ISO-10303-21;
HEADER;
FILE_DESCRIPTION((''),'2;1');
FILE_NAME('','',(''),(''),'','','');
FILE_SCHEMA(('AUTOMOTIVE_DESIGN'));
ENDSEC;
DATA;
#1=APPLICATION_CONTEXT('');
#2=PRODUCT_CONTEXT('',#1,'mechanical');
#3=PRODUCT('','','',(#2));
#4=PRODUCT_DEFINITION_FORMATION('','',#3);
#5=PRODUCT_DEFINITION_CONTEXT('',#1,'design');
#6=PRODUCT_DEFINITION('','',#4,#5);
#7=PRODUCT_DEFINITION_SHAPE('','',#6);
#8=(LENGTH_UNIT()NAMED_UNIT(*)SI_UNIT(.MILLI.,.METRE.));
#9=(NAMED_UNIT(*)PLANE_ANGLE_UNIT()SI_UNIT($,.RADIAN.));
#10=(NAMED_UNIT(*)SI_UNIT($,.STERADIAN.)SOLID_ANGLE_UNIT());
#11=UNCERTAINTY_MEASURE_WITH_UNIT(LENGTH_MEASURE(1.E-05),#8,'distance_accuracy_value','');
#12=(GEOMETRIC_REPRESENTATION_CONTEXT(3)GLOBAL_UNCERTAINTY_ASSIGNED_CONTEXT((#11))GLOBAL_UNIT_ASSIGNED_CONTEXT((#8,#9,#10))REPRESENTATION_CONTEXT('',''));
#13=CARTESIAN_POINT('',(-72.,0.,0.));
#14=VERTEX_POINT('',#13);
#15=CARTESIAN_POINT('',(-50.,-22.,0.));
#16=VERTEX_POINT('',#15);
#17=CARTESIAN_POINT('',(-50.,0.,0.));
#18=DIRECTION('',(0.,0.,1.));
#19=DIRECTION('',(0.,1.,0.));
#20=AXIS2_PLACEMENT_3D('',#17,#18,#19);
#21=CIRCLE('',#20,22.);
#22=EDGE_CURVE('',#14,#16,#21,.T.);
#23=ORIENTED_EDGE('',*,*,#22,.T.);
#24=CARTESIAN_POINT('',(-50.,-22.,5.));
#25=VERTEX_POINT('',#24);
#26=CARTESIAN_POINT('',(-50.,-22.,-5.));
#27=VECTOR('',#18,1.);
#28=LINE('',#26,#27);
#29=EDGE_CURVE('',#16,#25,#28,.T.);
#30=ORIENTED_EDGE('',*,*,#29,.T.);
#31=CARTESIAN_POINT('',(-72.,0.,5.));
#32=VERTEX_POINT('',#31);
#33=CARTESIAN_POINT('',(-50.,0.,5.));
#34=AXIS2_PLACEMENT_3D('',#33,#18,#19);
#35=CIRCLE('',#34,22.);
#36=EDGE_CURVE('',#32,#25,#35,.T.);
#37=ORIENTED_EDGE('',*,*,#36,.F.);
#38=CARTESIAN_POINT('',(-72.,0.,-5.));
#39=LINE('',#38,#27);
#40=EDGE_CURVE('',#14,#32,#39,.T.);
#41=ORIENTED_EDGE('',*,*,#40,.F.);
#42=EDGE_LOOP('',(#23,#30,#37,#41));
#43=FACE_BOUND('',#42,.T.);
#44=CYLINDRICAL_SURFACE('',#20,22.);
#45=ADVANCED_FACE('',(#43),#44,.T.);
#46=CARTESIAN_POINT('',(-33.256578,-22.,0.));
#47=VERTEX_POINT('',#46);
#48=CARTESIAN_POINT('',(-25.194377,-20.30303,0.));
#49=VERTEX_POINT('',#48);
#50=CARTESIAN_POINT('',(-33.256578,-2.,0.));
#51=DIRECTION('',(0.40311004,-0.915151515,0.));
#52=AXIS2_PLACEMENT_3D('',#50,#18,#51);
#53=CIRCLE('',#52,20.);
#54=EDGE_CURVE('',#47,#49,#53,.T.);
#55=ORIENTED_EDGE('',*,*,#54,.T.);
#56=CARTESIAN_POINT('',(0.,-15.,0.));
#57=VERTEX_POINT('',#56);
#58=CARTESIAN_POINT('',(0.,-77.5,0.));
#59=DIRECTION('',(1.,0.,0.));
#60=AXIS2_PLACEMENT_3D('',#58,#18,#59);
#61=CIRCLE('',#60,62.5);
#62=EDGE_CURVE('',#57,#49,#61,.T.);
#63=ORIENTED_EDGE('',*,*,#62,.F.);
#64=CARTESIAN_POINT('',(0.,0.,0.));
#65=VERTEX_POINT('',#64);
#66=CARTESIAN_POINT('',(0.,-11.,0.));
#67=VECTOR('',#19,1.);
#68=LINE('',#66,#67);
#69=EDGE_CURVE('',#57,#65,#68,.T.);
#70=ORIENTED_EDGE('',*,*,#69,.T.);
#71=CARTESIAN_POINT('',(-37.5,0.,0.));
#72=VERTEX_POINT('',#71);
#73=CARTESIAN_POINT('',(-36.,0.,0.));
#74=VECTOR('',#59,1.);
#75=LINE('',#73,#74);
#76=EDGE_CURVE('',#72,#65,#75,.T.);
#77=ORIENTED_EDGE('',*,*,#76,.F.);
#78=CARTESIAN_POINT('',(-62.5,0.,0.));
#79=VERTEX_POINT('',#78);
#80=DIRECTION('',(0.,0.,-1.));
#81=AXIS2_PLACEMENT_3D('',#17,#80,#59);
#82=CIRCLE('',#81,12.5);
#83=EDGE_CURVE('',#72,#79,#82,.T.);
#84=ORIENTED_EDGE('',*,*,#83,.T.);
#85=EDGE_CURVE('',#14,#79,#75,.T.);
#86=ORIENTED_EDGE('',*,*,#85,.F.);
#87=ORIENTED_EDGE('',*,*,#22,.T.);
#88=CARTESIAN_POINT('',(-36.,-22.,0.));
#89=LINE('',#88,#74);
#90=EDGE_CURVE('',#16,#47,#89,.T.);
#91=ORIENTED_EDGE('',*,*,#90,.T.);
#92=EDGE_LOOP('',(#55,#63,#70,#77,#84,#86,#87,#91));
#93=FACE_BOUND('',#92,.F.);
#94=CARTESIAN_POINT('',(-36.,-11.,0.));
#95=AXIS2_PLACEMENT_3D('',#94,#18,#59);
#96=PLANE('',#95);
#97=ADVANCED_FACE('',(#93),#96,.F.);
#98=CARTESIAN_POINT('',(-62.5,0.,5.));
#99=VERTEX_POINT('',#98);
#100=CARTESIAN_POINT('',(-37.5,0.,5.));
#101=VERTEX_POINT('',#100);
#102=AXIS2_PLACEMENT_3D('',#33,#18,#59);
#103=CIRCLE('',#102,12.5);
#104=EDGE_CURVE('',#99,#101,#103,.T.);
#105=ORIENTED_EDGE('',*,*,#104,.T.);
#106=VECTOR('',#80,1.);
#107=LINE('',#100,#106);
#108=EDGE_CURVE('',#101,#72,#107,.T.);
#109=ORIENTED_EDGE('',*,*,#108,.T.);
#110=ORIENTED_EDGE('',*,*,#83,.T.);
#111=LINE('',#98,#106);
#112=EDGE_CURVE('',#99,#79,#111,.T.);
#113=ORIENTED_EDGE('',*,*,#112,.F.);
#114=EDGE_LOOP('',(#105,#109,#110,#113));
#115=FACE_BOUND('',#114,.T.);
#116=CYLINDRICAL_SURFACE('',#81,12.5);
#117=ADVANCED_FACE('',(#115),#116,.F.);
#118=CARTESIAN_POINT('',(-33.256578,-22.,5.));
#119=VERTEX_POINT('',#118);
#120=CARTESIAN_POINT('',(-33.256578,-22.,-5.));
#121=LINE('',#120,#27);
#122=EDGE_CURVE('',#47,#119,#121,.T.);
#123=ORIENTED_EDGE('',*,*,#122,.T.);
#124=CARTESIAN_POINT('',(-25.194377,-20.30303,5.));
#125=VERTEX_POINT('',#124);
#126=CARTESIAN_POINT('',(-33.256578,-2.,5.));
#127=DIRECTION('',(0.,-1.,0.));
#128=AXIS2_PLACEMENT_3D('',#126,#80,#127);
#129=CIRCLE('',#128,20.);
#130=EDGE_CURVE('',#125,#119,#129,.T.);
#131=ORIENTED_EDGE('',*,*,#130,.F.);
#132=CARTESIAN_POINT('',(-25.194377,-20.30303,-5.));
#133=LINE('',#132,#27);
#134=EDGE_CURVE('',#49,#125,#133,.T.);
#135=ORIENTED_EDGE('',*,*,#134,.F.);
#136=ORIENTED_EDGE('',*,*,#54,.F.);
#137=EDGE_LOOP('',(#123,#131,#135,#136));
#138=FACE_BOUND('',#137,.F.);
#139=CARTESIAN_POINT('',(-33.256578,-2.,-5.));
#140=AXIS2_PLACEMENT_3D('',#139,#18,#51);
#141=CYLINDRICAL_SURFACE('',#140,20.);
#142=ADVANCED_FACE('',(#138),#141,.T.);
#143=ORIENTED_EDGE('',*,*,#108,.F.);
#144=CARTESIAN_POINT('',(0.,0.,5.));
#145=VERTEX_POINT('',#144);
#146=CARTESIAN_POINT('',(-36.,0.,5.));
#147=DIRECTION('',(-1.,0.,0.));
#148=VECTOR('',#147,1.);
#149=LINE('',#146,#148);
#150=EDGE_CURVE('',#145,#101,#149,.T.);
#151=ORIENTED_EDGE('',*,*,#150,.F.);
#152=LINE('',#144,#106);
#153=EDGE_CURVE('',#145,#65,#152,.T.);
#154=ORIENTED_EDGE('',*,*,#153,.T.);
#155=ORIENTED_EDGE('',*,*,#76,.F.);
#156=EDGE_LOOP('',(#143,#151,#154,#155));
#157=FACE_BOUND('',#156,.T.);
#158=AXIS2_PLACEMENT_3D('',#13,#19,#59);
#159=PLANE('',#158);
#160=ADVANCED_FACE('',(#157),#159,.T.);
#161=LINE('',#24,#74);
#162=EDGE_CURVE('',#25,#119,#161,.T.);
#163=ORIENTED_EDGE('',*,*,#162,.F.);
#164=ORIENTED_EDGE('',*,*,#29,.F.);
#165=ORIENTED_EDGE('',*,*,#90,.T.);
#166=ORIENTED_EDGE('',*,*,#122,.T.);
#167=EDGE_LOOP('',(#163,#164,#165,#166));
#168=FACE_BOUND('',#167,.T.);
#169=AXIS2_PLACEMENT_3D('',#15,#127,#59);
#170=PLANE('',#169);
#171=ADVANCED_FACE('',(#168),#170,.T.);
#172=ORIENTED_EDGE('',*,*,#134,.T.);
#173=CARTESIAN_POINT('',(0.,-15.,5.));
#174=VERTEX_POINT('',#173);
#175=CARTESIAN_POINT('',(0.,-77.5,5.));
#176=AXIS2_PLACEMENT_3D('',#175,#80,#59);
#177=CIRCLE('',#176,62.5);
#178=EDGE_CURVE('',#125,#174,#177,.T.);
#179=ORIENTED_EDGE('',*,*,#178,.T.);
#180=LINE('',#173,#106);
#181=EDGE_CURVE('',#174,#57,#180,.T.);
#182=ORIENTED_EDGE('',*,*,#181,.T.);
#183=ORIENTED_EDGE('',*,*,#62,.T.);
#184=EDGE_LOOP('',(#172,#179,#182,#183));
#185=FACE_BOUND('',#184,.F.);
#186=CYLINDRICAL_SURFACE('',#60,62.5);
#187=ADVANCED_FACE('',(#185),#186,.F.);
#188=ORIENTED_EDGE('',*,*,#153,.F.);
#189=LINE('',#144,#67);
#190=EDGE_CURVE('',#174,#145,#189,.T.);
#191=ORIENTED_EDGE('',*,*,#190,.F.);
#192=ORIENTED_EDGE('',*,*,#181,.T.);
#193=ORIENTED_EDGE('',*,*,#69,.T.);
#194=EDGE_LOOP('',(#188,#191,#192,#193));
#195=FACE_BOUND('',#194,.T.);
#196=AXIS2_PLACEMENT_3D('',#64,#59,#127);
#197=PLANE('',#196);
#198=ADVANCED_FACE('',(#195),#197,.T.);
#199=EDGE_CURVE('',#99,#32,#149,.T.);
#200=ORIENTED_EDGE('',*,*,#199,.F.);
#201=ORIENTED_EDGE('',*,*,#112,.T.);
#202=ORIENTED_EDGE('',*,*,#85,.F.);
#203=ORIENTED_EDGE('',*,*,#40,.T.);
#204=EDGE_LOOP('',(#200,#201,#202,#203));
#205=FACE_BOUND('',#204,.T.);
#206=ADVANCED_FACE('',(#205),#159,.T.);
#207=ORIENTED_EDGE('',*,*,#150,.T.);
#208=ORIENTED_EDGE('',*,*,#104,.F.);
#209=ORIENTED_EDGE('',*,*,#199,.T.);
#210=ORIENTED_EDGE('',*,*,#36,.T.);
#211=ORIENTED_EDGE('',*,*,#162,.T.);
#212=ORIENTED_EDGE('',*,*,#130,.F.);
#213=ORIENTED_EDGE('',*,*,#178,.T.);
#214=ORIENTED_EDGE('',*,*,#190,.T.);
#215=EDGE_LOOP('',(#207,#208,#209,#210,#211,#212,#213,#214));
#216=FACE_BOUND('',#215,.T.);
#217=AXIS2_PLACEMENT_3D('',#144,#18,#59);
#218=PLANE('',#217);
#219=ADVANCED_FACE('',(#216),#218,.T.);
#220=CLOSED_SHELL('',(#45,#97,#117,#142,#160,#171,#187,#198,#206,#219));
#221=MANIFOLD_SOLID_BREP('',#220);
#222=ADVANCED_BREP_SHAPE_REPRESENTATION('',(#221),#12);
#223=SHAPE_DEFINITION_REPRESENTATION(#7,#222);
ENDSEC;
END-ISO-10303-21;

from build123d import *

# Parameters (mm, degrees)
SKETCH_R             = 12.5
PAD_DEPTH            = 5
SKETCH001_R          = 62.5
POCKET_DEPTH         = 5.001
POCKET_DEPTH_BACK    = -5.001
FILLET_R             = 20
POCKET001_DEPTH      = 5.001
POCKET001_DEPTH_BACK = -5.001
SKETCH003_W          = 72
SKETCH003_H          = 22
POCKET002_DEPTH      = 5.001


with BuildPart() as part:
    # Sketch → Pad (new body, symmetric)
    with BuildSketch(Plane.XY):
        with BuildLine():
            ThreePointArc((-50, 22), (-72, 0), (-50, -22))
            Line((-50, -22), (50, -22))
            ThreePointArc((50, -22), (72, 0), (50, 22))
            Line((50, 22), (-50, 22))
        make_face()
        with Locations((-50, 0)):
            Circle(SKETCH_R, mode=Mode.SUBTRACT)
        with Locations((50, 0)):
            Circle(SKETCH_R, mode=Mode.SUBTRACT)
    extrude(amount=PAD_DEPTH, both=True)

    # Sketch001 → Pocket (cut, two sides)
    with BuildSketch(Plane.XY) as pocket_sk:
        with Locations((0, -77.5)):
            Circle(SKETCH001_R)
        with Locations((0, 77.5)):
            Circle(SKETCH001_R)
    extrude(amount=-POCKET_DEPTH, mode=Mode.SUBTRACT)
    extrude(pocket_sk.sketch, amount=-POCKET_DEPTH_BACK, mode=Mode.SUBTRACT)

    # Fillet
    fillet_edges = [part.edges().sort_by_distance(p)[0] for p in [
        (-28.740216, -22, 0),
        (28.740216, -22, 0),
        (-28.740216, 22, 0),
        (28.740216, 22, 0),
    ]]
    fillet(fillet_edges, radius=FILLET_R)

    # Sketch002 → Pocket001 (cut, two sides)
    with BuildSketch(Plane.XY) as pocket001_sk:
        Polygon((72, -22), (72, 22), (-72, 22), (-72, 0), (0, 0), (0, -22), align=None)
    extrude(amount=-POCKET001_DEPTH, mode=Mode.SUBTRACT)
    extrude(pocket001_sk.sketch, amount=-POCKET001_DEPTH_BACK, mode=Mode.SUBTRACT)

    # Sketch003 → Pocket002 (cut, through all)
    with BuildSketch(Plane.XY):
        with Locations((-36, -11)):
            Rectangle(SKETCH003_W, SKETCH003_H)
    extrude(amount=-POCKET002_DEPTH, mode=Mode.SUBTRACT)


solid = part.part
